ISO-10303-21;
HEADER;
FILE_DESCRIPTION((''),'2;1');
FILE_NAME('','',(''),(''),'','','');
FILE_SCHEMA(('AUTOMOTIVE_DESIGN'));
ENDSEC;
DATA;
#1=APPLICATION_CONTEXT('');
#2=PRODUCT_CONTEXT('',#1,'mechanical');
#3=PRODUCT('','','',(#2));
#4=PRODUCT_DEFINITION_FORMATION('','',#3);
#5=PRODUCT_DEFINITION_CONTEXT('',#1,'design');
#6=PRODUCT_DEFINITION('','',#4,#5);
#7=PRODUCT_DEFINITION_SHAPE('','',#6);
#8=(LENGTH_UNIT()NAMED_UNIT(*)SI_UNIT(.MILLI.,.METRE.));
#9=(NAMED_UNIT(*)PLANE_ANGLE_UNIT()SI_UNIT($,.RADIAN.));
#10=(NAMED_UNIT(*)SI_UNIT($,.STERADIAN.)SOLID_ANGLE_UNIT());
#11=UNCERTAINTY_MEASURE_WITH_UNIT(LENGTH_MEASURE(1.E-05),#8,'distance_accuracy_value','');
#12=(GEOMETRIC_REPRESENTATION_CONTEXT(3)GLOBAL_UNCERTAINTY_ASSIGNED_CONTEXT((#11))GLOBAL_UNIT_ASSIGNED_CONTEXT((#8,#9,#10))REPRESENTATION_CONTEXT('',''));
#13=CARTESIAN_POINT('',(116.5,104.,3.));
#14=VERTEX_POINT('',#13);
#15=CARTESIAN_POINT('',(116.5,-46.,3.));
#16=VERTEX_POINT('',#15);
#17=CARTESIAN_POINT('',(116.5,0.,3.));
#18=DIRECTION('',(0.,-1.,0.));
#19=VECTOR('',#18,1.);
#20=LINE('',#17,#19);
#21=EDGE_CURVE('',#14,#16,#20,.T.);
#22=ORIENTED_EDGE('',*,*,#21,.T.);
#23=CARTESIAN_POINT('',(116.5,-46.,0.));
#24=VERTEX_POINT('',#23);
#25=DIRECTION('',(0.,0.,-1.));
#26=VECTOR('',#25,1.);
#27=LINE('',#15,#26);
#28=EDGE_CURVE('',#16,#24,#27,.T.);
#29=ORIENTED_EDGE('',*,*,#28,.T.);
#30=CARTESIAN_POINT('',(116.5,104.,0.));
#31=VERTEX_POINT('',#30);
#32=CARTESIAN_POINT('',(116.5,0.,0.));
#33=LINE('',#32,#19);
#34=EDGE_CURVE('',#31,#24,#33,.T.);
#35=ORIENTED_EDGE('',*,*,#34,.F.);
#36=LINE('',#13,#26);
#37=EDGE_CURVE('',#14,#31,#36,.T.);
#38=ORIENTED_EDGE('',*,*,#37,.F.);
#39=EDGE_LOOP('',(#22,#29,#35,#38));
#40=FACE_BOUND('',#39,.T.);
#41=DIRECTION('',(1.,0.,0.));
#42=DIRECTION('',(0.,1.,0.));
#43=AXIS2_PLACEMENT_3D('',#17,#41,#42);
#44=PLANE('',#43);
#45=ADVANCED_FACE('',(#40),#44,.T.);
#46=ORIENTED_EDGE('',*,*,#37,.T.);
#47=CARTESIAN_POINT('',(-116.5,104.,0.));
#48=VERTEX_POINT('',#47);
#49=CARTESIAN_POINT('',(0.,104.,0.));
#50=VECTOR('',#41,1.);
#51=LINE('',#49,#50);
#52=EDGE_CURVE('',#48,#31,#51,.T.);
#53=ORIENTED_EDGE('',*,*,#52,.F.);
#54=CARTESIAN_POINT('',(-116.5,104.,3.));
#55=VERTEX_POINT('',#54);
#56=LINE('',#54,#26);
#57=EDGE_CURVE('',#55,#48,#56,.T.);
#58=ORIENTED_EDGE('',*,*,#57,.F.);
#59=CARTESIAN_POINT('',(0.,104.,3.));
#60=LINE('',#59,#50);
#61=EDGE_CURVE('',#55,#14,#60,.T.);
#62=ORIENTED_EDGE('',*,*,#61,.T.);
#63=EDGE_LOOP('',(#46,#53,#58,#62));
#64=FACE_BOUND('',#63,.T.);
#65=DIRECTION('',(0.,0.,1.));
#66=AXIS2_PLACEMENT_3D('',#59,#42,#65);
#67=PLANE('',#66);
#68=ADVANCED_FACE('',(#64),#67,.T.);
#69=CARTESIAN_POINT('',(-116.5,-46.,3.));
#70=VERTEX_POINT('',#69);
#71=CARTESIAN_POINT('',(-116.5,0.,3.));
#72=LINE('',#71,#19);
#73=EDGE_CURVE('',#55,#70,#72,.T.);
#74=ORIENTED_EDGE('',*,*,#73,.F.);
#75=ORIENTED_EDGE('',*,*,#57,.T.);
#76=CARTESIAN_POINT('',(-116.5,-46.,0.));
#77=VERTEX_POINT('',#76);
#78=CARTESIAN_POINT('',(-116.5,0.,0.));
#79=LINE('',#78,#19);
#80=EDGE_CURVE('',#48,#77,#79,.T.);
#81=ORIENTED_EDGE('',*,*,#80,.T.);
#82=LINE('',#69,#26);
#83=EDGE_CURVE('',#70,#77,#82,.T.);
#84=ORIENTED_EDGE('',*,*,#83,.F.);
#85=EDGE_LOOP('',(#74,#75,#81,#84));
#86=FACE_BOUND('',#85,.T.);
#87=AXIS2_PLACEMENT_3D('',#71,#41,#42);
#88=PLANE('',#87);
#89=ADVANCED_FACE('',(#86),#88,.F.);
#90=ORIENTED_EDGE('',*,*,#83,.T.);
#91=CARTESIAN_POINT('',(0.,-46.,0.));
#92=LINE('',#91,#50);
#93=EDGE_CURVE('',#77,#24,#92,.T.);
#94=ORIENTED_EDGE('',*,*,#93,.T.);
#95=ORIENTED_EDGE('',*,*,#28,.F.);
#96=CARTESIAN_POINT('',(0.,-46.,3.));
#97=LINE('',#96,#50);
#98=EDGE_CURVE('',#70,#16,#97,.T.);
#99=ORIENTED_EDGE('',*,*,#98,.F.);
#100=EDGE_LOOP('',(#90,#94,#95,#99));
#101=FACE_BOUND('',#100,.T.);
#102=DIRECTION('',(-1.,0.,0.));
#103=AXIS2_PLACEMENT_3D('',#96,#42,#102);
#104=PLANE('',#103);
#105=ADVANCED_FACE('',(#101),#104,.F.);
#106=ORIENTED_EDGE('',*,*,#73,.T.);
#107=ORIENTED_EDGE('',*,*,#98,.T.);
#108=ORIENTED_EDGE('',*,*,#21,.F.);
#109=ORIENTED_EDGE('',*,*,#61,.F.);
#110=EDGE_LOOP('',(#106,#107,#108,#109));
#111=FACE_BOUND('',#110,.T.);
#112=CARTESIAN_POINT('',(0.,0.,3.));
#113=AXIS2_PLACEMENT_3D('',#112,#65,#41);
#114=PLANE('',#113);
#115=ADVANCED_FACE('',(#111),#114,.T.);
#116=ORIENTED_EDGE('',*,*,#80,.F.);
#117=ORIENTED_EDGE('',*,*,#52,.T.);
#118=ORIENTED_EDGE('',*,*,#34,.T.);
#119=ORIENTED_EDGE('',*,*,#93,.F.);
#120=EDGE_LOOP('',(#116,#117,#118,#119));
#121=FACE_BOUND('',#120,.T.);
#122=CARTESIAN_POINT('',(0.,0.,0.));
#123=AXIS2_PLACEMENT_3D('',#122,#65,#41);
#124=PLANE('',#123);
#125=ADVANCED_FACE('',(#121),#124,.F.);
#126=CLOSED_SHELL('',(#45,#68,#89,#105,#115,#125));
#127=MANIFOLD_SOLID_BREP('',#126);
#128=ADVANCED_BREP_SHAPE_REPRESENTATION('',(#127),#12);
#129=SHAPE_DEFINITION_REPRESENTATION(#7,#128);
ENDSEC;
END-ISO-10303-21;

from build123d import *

# Parameters (mm, degrees)
SKETCH1_W           = 233
SKETCH1_H           = 150
BOSS_EXTRUDE1_DEPTH = 3


with BuildPart() as part:
    # Sketch1 → Boss-Extrude1 (new body)
    with BuildSketch(Plane.XY):
        with Locations((0, 29)):
            Rectangle(SKETCH1_W, SKETCH1_H)
    extrude(amount=BOSS_EXTRUDE1_DEPTH)


solid = part.part
